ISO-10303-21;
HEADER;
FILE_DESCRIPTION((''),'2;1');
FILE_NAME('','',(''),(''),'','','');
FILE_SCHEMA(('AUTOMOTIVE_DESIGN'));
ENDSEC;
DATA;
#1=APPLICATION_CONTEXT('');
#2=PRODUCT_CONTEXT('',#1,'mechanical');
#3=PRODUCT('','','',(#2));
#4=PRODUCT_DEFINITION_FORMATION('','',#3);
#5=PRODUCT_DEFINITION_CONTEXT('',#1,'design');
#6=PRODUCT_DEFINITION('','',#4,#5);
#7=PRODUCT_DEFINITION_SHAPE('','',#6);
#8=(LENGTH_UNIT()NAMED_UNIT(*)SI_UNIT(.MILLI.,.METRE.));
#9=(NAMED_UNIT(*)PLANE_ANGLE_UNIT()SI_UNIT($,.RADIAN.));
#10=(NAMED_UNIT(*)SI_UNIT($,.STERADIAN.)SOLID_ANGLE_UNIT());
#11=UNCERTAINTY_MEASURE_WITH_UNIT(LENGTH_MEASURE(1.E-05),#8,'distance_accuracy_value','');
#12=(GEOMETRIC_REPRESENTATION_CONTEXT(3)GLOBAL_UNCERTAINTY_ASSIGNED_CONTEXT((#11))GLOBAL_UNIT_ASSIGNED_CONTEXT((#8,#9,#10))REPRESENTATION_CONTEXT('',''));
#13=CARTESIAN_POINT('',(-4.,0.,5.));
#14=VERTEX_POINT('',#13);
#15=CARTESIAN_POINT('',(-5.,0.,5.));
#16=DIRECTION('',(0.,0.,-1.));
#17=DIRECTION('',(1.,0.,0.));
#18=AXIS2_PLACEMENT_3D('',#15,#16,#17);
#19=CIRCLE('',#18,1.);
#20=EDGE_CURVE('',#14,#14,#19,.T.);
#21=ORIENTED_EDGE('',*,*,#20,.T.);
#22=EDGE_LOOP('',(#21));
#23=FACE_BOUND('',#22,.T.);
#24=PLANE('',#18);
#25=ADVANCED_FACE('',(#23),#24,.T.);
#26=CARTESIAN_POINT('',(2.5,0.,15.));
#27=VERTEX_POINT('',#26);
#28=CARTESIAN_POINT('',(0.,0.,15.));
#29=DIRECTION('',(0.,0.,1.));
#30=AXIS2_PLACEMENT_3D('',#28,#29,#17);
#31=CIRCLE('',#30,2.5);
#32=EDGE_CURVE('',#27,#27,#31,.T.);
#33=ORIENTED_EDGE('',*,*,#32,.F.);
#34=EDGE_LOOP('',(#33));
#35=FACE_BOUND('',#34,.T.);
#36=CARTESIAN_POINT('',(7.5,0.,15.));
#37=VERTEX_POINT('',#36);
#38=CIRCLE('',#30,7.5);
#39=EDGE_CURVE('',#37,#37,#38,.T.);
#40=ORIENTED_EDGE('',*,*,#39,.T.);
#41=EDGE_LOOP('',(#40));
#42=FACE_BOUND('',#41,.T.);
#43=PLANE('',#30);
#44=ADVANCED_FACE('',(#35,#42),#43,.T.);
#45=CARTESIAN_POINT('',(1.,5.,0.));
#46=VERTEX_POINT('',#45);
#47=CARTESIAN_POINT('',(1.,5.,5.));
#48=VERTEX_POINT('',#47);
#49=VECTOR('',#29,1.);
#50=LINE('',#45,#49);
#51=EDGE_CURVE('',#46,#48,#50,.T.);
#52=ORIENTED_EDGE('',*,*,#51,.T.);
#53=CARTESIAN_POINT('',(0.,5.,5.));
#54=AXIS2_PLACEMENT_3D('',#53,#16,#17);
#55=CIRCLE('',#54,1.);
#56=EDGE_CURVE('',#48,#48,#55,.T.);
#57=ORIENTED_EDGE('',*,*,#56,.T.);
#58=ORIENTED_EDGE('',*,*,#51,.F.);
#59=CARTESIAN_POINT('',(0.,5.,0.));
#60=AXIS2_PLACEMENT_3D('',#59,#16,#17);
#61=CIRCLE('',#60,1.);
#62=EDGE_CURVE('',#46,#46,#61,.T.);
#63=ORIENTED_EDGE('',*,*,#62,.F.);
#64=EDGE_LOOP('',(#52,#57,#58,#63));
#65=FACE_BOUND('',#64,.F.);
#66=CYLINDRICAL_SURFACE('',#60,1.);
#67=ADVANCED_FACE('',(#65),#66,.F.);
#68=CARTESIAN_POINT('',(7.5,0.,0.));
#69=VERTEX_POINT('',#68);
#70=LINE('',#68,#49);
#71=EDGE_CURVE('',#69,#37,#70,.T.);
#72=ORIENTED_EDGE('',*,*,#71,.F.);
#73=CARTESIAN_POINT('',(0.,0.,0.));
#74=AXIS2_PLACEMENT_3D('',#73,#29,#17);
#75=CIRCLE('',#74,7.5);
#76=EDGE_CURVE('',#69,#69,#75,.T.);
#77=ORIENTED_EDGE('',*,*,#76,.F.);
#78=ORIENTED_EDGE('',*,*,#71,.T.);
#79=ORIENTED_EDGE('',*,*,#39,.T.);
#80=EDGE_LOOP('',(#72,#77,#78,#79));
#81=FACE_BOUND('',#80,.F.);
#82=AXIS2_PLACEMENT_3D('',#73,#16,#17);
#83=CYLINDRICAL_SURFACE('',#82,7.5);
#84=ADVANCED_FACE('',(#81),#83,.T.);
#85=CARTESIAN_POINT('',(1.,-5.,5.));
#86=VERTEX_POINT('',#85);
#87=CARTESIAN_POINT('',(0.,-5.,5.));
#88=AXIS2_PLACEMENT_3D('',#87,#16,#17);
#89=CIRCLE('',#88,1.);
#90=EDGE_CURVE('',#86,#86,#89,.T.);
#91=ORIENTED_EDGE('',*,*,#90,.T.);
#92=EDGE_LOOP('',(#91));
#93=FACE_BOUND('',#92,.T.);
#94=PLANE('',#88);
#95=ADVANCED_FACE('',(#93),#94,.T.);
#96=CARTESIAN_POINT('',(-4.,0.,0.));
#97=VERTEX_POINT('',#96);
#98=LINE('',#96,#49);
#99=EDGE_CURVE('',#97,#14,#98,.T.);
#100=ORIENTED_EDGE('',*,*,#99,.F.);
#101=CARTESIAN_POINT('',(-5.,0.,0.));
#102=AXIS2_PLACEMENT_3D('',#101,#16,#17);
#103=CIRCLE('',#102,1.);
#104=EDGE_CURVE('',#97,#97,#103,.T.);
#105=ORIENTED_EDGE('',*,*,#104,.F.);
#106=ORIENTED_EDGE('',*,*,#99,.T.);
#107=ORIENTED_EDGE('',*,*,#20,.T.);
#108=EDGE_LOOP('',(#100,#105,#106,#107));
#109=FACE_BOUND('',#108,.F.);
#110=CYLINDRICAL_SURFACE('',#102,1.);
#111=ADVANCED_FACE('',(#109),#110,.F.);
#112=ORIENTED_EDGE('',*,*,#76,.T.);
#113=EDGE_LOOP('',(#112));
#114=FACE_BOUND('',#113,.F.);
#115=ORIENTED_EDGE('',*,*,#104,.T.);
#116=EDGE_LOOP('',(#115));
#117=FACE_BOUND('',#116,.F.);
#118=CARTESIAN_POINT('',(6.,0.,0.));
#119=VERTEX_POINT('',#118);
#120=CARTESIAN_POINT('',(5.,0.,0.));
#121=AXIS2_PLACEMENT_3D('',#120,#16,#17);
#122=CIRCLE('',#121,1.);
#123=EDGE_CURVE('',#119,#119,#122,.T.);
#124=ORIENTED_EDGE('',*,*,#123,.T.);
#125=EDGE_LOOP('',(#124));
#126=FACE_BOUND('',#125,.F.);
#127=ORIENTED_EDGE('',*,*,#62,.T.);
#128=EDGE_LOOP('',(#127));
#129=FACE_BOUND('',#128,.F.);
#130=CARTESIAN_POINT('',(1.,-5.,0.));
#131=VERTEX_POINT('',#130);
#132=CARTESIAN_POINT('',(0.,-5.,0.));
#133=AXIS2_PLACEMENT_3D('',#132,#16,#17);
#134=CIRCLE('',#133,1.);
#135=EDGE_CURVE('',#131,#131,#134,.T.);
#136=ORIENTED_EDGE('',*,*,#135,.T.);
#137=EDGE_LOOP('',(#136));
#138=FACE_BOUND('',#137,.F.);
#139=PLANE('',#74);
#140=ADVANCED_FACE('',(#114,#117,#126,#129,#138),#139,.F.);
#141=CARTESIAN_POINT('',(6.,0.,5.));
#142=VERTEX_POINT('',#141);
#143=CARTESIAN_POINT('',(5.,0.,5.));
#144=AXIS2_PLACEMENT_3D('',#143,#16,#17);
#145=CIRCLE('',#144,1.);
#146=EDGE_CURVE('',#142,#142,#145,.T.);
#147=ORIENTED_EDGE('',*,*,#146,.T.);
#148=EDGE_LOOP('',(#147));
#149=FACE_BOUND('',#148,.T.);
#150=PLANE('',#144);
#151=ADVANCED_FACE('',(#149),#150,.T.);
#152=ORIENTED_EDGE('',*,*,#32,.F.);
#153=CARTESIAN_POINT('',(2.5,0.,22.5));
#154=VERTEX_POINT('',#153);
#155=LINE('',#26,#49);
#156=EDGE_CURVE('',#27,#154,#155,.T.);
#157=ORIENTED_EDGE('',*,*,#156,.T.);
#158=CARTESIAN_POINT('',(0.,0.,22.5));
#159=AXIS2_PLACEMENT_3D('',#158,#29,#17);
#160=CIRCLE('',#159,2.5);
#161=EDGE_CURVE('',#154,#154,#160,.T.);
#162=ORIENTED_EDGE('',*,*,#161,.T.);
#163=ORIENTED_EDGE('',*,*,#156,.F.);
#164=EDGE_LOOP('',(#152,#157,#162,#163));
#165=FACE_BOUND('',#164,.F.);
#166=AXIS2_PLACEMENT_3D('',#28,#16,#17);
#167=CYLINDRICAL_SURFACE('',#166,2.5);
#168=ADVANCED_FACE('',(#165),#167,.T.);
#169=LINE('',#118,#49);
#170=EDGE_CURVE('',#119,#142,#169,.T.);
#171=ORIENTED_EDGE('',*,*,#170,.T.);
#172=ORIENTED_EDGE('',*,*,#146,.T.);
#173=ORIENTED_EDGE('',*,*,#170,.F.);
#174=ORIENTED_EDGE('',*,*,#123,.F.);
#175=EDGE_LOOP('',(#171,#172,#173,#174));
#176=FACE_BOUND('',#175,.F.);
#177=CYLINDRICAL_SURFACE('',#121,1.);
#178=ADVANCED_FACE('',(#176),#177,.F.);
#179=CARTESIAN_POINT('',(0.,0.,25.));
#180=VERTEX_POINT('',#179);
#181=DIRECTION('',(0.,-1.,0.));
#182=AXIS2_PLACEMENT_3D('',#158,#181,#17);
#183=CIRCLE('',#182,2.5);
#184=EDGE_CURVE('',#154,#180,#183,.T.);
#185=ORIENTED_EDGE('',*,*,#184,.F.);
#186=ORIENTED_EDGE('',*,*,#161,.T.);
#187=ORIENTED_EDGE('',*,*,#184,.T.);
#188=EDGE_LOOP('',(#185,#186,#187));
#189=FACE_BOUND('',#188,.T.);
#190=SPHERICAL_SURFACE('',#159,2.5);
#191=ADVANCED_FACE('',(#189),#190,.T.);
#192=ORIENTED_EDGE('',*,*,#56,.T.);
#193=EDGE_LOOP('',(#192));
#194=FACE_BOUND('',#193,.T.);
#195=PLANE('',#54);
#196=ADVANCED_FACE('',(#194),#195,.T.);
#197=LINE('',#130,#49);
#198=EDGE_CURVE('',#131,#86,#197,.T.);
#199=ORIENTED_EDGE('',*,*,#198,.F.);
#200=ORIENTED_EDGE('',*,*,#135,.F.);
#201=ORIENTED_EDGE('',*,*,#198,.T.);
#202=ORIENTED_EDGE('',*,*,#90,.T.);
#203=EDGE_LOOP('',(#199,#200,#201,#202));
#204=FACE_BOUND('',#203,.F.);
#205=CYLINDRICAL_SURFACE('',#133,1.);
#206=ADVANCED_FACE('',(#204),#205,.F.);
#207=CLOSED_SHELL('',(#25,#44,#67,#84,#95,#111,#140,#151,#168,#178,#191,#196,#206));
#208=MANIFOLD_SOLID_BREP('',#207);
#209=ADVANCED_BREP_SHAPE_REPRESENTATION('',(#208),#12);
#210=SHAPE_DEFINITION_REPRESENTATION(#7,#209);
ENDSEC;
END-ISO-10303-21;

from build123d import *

# Parameters (mm, degrees)
F0_R     = 7.5
F1_DEPTH = 15
F2_R     = 1
F3_DEPTH = 5
F4_R     = 2.5
F5_DEPTH = 10
F6_R     = 2.5


with BuildPart() as f1:
    # F0 (on Top) → F1 (new body)
    with BuildSketch(Plane.XY):
        Circle(F0_R)
    extrude(amount=F1_DEPTH)

    # F2 (on face) → F3 (cut)
    with BuildSketch(Plane(origin=(0, 0, 0), x_dir=(1, 0, 0), z_dir=(0, 0, -1))):
        with Locations((0, 5)):
            Circle(F2_R)
        with Locations((-5, 0)):
            Circle(F2_R)
        with Locations((0, -5)):
            Circle(F2_R)
        with Locations((5, 0)):
            Circle(F2_R)
    extrude(amount=-F3_DEPTH, mode=Mode.SUBTRACT)

    # F4 (on face) → F5 (join)
    with BuildSketch(Plane.XY.offset(15)):
        Circle(F4_R)
    extrude(amount=F5_DEPTH)

    # F6
    f6_edges = [f1.edges().sort_by_distance(p)[0] for p in [
        (-2.5, 0, 25),
    ]]
    fillet(f6_edges, radius=F6_R)


solid = f1.part
